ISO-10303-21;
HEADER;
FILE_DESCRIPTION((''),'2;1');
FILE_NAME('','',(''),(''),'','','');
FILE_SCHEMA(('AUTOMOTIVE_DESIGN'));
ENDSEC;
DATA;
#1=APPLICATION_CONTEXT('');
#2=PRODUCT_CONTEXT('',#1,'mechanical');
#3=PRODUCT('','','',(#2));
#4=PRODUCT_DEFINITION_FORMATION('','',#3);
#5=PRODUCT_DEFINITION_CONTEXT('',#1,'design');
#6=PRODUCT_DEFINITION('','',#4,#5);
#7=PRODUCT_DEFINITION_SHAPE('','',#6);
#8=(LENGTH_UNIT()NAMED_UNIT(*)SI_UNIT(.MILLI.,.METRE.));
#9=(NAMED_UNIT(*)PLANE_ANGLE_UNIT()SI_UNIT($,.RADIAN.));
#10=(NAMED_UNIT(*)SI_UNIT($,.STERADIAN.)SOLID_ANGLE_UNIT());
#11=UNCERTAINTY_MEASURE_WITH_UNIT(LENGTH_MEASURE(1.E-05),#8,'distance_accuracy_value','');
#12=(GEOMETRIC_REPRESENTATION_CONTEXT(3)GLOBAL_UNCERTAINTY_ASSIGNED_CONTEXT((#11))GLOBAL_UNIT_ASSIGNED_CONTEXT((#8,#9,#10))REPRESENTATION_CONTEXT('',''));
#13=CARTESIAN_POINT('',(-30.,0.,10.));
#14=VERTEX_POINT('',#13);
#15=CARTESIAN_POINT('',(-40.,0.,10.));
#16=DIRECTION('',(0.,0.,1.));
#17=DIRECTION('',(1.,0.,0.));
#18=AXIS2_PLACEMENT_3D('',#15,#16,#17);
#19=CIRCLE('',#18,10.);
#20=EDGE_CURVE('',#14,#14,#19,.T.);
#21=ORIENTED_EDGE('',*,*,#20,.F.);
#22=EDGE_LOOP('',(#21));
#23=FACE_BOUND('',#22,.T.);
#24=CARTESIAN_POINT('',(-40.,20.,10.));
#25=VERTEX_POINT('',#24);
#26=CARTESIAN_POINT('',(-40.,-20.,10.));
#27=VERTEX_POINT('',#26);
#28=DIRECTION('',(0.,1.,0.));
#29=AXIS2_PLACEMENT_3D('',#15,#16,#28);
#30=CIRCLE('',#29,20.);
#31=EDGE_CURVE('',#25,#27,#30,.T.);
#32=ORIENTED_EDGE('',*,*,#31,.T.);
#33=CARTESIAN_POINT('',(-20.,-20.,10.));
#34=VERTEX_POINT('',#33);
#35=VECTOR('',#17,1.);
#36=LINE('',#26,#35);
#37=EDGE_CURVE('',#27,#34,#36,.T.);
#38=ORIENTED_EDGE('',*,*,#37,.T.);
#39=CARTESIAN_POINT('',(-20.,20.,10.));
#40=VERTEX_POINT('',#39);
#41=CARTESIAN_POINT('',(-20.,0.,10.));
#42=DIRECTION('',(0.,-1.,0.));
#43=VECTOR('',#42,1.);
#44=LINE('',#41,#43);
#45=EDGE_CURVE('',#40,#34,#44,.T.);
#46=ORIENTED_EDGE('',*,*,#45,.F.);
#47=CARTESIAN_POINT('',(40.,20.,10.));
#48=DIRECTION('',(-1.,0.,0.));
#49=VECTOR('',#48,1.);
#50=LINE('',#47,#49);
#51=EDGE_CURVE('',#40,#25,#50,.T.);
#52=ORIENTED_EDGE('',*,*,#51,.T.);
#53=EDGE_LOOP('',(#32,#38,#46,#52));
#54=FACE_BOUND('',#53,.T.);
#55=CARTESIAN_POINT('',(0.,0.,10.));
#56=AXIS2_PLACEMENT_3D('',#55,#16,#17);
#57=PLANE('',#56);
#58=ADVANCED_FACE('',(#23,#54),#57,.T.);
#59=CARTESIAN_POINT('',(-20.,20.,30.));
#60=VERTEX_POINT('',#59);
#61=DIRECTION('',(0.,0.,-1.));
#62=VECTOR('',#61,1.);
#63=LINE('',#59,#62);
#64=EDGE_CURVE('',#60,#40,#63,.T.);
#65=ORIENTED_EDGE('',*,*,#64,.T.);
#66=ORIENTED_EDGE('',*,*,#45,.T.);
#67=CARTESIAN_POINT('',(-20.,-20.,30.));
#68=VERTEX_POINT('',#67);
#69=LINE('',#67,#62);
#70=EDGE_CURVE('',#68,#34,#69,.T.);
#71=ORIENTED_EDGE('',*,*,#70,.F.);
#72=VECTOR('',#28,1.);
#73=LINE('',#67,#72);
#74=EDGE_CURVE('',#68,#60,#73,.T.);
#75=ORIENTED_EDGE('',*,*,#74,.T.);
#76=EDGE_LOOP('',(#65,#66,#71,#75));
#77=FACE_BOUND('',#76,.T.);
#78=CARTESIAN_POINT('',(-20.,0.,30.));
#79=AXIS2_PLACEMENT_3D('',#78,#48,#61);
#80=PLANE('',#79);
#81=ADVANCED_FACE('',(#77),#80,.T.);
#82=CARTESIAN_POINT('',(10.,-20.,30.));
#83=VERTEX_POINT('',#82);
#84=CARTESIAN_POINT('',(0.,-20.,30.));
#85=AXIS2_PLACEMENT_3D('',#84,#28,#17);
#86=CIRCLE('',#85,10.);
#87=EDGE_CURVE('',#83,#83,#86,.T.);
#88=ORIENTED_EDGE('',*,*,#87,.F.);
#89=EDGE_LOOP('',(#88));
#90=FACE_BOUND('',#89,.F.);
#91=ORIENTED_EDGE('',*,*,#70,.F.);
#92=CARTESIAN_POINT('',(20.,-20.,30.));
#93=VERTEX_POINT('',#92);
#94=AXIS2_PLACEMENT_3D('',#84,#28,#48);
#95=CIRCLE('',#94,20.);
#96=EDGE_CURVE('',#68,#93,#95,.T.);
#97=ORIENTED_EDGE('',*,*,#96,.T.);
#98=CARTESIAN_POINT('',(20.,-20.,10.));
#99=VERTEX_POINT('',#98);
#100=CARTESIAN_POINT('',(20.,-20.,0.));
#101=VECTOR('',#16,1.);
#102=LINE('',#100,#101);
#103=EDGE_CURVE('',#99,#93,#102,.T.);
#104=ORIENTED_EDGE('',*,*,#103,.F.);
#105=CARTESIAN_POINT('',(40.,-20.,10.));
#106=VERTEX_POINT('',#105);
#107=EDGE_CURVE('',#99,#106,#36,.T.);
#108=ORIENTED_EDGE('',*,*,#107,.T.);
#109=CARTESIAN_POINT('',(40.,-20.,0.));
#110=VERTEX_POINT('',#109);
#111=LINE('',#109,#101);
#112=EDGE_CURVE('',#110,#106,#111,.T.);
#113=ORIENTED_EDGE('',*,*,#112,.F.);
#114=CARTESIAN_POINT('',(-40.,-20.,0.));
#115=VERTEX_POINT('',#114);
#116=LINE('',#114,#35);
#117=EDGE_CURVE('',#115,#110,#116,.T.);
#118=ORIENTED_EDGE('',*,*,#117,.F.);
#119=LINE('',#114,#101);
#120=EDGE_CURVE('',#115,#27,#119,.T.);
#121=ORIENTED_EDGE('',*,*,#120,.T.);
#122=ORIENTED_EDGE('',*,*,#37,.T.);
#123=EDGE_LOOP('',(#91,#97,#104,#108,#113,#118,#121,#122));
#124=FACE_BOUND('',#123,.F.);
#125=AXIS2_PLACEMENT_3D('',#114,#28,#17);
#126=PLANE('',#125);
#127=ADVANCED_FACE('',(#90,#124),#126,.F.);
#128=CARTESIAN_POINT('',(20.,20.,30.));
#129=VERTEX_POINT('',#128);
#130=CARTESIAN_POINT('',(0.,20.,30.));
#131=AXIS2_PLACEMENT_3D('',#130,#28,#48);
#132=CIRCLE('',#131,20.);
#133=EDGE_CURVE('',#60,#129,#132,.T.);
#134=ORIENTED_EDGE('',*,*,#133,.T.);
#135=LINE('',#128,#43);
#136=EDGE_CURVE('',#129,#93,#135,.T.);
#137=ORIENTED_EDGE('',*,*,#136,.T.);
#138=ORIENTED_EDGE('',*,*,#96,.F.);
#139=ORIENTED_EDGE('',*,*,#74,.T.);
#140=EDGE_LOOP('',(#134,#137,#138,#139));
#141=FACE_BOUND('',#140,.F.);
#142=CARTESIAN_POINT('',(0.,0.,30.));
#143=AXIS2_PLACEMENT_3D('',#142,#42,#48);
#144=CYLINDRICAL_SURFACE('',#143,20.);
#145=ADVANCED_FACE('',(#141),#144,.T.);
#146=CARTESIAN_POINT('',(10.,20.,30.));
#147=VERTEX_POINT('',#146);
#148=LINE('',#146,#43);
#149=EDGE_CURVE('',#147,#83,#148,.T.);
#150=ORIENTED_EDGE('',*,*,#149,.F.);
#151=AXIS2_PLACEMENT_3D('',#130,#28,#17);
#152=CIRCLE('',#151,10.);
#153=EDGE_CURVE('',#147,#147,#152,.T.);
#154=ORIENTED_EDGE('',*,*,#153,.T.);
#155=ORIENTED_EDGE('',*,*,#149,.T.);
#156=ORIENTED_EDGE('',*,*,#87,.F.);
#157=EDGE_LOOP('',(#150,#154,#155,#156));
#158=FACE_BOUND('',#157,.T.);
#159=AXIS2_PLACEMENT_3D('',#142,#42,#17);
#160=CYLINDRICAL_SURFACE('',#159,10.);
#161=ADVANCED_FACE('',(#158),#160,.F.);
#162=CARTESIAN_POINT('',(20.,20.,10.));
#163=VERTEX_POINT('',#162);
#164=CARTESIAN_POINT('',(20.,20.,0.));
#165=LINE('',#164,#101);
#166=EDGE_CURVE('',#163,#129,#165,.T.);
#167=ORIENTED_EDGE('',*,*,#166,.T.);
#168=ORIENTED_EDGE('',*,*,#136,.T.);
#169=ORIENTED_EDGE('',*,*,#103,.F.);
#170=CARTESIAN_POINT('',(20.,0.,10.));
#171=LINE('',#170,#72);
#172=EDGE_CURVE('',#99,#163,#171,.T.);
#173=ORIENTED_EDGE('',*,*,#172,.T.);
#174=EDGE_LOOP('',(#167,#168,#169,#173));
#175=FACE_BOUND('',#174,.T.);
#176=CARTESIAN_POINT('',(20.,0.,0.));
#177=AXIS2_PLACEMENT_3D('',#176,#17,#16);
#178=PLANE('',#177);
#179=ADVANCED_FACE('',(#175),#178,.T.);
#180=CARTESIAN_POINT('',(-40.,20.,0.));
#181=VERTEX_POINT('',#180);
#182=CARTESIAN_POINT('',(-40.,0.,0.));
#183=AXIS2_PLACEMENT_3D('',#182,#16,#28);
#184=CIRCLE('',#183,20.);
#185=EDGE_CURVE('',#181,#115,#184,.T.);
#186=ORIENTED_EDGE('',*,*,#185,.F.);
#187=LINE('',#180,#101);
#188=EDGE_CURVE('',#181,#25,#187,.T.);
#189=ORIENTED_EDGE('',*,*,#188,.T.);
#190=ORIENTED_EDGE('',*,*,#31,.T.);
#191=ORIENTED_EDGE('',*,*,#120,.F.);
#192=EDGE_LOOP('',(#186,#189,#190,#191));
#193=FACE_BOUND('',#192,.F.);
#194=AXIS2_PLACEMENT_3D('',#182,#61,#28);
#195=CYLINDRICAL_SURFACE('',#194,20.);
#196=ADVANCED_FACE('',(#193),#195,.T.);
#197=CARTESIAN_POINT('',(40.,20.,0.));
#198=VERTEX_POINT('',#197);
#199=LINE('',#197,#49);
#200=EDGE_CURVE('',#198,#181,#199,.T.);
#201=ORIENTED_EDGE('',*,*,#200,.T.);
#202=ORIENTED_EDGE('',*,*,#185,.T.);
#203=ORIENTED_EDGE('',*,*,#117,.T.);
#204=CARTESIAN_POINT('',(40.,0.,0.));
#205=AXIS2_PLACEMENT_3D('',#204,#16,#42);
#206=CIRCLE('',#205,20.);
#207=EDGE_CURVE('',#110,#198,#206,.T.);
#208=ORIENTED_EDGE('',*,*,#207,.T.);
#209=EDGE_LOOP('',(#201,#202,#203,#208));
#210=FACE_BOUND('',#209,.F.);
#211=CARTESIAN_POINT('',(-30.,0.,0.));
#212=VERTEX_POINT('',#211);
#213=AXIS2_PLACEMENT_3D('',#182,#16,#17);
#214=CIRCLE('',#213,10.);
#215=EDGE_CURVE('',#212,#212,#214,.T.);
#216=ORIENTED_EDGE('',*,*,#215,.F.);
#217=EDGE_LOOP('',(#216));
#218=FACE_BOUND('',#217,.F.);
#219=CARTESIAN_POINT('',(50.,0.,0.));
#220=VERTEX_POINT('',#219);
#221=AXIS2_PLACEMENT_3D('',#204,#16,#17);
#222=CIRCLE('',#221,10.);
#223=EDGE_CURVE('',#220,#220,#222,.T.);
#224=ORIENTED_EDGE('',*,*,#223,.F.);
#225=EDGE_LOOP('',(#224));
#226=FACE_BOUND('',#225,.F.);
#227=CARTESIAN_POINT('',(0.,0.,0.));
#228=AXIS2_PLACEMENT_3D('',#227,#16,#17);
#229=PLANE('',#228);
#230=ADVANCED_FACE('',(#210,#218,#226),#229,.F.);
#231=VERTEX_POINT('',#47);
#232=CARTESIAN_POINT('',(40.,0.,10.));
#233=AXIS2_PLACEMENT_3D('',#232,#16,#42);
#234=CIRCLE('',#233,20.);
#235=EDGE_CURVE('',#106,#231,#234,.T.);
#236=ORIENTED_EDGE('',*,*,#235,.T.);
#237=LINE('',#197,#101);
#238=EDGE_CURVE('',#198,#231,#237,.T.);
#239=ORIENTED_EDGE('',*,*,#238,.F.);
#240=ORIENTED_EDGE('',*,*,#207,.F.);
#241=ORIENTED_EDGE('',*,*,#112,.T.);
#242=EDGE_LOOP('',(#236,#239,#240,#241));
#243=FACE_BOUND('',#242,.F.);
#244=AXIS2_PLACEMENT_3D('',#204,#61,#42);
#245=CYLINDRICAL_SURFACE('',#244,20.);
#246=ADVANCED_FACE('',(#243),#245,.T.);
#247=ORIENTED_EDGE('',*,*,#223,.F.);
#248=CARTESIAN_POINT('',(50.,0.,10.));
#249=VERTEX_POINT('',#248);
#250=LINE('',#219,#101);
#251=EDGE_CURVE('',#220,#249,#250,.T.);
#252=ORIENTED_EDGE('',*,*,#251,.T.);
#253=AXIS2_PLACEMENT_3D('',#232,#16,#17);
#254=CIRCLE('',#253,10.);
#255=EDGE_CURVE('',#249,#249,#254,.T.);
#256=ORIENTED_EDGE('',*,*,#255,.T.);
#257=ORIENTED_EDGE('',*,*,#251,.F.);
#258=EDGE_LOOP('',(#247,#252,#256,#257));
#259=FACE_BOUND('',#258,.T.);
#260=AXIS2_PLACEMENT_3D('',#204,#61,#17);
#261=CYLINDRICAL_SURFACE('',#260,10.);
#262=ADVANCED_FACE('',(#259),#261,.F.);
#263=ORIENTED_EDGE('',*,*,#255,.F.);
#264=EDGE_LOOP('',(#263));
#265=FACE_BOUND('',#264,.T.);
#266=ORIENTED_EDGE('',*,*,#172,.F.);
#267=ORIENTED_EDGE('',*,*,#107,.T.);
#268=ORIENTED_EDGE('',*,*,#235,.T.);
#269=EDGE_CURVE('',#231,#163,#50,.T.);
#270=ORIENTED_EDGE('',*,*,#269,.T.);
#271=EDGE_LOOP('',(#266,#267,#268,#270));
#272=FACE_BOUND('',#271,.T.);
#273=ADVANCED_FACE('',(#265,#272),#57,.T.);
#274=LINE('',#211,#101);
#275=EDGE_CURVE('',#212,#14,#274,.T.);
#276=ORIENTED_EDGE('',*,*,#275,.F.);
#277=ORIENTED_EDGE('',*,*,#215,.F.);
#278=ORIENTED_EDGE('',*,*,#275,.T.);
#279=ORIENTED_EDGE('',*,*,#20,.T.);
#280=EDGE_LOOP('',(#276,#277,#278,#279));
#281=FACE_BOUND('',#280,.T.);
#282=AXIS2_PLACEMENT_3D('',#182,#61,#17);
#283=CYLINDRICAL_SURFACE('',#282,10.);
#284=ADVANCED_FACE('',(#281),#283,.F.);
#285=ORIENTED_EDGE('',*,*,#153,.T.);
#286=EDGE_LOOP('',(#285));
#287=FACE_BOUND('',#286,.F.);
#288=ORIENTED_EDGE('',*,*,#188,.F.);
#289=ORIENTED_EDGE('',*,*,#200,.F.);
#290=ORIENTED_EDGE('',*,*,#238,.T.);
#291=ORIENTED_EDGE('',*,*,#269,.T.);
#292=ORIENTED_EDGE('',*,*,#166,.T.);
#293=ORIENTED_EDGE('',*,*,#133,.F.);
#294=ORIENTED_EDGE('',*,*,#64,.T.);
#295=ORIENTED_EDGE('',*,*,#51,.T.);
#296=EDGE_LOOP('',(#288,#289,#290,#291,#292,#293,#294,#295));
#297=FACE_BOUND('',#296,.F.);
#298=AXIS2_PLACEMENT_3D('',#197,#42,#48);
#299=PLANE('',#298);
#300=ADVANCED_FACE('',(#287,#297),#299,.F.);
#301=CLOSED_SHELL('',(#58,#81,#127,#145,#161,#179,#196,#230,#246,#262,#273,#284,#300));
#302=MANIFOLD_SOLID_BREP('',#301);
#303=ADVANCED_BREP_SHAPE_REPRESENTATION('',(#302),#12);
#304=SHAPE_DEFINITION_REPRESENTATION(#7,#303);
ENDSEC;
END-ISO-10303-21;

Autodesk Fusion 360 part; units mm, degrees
sketch "Sketch1" plane through (0, 0, 0) normal (0, 0, 1) x (1, 0, 0)
  line L0 (40, 20) -> (-40, 20)
  line L1 (-40, -20) -> (40, -20)
  circle A0 centre (40, 0) radius 10
  circle A1 centre (-40, 0) radius 10
  arc A2 (40, -20) -> (40, 20) centre (40, 0) ccw
  arc A3 (-40, 20) -> (-40, -20) centre (-40, 0) ccw
extrude "Extrude1" add sketch "Sketch1" along normal blind 10
sketch "Sketch2" plane through (0, 0, 0) normal (0, 1, 0) x (1, 0, 0)
  line L0 (-20, 0) -> (20, 0)
  line L1 (20, 0) -> (20, -30)
  line L2 (-20, -30) -> (-20, 0)
  line L3 (-40, 0) -> (-40, -10)
  circle A0 centre (0, -30) radius 10
  arc A1 (-20, -30) -> (20, -30) centre (0, -30) ccw
  dimension "d9" = 20
  dimension "d10" = 20
  dimension "d11" = 20
extrude "Extrude2" add sketch "Sketch2" along normal mid plane 40
